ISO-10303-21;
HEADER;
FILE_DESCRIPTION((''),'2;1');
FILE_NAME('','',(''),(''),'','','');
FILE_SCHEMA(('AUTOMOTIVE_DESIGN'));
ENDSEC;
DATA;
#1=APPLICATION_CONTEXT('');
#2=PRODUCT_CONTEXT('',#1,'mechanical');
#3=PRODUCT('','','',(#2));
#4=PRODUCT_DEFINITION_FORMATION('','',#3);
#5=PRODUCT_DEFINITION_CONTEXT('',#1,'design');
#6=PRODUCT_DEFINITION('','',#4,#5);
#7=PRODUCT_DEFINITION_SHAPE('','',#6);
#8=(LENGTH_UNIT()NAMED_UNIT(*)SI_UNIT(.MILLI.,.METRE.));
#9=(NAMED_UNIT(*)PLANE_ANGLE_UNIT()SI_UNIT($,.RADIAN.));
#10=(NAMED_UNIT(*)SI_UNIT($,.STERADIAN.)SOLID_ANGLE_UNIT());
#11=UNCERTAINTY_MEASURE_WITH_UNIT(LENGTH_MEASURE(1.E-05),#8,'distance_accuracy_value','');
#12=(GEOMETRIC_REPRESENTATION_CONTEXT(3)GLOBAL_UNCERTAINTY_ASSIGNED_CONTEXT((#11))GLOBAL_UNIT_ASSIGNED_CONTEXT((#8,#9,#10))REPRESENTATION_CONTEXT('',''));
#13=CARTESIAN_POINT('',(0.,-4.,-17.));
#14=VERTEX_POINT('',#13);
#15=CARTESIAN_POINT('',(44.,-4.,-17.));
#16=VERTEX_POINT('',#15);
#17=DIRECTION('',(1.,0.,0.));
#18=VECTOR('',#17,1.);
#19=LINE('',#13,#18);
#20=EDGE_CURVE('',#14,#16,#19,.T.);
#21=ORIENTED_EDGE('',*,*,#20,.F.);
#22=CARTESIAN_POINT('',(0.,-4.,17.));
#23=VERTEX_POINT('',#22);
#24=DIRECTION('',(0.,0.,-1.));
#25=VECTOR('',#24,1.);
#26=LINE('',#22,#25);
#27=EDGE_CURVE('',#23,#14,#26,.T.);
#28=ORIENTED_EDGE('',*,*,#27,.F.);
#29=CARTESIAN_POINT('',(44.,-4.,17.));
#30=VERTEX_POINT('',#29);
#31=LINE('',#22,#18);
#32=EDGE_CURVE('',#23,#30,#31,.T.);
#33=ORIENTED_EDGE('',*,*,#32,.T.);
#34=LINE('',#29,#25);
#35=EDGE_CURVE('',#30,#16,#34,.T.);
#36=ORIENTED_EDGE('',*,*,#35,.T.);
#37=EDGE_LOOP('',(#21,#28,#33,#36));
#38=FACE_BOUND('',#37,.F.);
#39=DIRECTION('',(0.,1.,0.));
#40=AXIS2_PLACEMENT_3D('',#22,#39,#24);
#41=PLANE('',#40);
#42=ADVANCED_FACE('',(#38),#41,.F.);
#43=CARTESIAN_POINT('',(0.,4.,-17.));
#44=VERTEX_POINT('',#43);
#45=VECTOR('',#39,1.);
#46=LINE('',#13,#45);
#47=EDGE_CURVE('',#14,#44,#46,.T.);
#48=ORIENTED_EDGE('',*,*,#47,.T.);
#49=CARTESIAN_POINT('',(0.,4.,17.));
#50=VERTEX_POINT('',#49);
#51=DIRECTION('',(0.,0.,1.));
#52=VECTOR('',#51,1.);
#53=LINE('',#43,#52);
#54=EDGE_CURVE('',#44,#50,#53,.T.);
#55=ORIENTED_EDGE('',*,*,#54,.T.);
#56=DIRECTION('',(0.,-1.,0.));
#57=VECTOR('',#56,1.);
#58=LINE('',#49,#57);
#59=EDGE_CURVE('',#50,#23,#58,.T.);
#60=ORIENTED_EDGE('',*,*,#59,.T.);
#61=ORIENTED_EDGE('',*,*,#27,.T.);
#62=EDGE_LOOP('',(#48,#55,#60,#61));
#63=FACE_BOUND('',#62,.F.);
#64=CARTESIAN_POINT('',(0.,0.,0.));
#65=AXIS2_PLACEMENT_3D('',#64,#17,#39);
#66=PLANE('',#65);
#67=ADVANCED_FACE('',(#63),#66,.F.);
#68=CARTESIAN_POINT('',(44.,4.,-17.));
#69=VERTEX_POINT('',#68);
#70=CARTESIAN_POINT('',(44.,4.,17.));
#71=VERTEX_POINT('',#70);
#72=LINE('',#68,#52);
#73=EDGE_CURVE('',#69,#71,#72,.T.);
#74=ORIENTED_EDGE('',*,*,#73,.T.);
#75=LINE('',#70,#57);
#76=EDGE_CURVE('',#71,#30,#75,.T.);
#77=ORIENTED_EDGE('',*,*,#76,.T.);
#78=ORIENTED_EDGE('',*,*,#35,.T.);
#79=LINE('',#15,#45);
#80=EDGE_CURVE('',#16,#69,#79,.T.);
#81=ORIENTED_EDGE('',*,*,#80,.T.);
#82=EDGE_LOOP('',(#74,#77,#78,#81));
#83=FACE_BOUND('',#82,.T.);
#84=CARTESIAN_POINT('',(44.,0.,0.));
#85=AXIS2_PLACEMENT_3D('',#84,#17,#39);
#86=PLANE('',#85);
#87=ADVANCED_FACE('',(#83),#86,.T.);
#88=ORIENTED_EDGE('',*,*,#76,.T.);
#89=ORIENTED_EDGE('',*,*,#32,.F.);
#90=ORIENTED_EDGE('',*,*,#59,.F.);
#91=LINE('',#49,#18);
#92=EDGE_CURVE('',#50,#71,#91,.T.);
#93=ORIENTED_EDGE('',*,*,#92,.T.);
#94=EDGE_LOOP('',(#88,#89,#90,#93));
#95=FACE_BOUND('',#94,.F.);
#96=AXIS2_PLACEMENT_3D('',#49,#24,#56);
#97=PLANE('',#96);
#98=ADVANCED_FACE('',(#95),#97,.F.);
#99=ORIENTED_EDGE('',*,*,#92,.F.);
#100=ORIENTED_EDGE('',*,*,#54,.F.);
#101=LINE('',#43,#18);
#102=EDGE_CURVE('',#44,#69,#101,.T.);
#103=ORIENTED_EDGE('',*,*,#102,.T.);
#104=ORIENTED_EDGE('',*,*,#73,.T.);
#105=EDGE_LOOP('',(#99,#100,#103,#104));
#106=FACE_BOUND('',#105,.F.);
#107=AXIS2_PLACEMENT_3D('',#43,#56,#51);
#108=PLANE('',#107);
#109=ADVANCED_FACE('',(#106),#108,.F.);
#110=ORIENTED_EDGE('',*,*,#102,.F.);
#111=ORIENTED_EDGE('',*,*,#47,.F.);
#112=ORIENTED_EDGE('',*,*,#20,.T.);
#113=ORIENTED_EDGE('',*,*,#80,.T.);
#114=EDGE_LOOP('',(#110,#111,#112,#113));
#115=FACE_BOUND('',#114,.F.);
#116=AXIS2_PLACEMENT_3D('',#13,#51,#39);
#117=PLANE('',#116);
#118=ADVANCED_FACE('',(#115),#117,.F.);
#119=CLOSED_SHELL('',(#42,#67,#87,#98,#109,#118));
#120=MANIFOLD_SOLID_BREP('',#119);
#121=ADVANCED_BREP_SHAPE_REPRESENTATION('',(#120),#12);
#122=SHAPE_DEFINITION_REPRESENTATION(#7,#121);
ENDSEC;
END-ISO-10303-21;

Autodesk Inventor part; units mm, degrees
ref_plane "YZ Plane" through (0, 0, 0) normal (1, 0, 0) x (0, 1, 0)
ref_plane "XZ Plane" through (0, 0, 0) normal (0, 1, 0) x (-1, 0, 0)
ref_plane "XY Plane" through (0, 0, 0) normal (0, 0, 1) x (1, 0, 0)
sketch "Sketch1" plane through (0, 0, 0) normal (1, 0, 0) x (0, 1, 0)
  line L0 (4, 17) -> (-4, 17)
  line L1 (-4, 17) -> (-4, -17)
  line L2 (-4, -17) -> (4, -17)
  line L3 (4, -17) -> (4, 17)
  line L4 (4, 17) -> (-4, -17) construction
  line L5 (-4, 17) -> (4, -17) construction
  point P0 (0, 0)
  dimension "d0" = 34
  dimension "d1" = 8
extrude "Extrusion1" add sketch "Sketch1" along normal blind 44
properties part number "akumulator"
